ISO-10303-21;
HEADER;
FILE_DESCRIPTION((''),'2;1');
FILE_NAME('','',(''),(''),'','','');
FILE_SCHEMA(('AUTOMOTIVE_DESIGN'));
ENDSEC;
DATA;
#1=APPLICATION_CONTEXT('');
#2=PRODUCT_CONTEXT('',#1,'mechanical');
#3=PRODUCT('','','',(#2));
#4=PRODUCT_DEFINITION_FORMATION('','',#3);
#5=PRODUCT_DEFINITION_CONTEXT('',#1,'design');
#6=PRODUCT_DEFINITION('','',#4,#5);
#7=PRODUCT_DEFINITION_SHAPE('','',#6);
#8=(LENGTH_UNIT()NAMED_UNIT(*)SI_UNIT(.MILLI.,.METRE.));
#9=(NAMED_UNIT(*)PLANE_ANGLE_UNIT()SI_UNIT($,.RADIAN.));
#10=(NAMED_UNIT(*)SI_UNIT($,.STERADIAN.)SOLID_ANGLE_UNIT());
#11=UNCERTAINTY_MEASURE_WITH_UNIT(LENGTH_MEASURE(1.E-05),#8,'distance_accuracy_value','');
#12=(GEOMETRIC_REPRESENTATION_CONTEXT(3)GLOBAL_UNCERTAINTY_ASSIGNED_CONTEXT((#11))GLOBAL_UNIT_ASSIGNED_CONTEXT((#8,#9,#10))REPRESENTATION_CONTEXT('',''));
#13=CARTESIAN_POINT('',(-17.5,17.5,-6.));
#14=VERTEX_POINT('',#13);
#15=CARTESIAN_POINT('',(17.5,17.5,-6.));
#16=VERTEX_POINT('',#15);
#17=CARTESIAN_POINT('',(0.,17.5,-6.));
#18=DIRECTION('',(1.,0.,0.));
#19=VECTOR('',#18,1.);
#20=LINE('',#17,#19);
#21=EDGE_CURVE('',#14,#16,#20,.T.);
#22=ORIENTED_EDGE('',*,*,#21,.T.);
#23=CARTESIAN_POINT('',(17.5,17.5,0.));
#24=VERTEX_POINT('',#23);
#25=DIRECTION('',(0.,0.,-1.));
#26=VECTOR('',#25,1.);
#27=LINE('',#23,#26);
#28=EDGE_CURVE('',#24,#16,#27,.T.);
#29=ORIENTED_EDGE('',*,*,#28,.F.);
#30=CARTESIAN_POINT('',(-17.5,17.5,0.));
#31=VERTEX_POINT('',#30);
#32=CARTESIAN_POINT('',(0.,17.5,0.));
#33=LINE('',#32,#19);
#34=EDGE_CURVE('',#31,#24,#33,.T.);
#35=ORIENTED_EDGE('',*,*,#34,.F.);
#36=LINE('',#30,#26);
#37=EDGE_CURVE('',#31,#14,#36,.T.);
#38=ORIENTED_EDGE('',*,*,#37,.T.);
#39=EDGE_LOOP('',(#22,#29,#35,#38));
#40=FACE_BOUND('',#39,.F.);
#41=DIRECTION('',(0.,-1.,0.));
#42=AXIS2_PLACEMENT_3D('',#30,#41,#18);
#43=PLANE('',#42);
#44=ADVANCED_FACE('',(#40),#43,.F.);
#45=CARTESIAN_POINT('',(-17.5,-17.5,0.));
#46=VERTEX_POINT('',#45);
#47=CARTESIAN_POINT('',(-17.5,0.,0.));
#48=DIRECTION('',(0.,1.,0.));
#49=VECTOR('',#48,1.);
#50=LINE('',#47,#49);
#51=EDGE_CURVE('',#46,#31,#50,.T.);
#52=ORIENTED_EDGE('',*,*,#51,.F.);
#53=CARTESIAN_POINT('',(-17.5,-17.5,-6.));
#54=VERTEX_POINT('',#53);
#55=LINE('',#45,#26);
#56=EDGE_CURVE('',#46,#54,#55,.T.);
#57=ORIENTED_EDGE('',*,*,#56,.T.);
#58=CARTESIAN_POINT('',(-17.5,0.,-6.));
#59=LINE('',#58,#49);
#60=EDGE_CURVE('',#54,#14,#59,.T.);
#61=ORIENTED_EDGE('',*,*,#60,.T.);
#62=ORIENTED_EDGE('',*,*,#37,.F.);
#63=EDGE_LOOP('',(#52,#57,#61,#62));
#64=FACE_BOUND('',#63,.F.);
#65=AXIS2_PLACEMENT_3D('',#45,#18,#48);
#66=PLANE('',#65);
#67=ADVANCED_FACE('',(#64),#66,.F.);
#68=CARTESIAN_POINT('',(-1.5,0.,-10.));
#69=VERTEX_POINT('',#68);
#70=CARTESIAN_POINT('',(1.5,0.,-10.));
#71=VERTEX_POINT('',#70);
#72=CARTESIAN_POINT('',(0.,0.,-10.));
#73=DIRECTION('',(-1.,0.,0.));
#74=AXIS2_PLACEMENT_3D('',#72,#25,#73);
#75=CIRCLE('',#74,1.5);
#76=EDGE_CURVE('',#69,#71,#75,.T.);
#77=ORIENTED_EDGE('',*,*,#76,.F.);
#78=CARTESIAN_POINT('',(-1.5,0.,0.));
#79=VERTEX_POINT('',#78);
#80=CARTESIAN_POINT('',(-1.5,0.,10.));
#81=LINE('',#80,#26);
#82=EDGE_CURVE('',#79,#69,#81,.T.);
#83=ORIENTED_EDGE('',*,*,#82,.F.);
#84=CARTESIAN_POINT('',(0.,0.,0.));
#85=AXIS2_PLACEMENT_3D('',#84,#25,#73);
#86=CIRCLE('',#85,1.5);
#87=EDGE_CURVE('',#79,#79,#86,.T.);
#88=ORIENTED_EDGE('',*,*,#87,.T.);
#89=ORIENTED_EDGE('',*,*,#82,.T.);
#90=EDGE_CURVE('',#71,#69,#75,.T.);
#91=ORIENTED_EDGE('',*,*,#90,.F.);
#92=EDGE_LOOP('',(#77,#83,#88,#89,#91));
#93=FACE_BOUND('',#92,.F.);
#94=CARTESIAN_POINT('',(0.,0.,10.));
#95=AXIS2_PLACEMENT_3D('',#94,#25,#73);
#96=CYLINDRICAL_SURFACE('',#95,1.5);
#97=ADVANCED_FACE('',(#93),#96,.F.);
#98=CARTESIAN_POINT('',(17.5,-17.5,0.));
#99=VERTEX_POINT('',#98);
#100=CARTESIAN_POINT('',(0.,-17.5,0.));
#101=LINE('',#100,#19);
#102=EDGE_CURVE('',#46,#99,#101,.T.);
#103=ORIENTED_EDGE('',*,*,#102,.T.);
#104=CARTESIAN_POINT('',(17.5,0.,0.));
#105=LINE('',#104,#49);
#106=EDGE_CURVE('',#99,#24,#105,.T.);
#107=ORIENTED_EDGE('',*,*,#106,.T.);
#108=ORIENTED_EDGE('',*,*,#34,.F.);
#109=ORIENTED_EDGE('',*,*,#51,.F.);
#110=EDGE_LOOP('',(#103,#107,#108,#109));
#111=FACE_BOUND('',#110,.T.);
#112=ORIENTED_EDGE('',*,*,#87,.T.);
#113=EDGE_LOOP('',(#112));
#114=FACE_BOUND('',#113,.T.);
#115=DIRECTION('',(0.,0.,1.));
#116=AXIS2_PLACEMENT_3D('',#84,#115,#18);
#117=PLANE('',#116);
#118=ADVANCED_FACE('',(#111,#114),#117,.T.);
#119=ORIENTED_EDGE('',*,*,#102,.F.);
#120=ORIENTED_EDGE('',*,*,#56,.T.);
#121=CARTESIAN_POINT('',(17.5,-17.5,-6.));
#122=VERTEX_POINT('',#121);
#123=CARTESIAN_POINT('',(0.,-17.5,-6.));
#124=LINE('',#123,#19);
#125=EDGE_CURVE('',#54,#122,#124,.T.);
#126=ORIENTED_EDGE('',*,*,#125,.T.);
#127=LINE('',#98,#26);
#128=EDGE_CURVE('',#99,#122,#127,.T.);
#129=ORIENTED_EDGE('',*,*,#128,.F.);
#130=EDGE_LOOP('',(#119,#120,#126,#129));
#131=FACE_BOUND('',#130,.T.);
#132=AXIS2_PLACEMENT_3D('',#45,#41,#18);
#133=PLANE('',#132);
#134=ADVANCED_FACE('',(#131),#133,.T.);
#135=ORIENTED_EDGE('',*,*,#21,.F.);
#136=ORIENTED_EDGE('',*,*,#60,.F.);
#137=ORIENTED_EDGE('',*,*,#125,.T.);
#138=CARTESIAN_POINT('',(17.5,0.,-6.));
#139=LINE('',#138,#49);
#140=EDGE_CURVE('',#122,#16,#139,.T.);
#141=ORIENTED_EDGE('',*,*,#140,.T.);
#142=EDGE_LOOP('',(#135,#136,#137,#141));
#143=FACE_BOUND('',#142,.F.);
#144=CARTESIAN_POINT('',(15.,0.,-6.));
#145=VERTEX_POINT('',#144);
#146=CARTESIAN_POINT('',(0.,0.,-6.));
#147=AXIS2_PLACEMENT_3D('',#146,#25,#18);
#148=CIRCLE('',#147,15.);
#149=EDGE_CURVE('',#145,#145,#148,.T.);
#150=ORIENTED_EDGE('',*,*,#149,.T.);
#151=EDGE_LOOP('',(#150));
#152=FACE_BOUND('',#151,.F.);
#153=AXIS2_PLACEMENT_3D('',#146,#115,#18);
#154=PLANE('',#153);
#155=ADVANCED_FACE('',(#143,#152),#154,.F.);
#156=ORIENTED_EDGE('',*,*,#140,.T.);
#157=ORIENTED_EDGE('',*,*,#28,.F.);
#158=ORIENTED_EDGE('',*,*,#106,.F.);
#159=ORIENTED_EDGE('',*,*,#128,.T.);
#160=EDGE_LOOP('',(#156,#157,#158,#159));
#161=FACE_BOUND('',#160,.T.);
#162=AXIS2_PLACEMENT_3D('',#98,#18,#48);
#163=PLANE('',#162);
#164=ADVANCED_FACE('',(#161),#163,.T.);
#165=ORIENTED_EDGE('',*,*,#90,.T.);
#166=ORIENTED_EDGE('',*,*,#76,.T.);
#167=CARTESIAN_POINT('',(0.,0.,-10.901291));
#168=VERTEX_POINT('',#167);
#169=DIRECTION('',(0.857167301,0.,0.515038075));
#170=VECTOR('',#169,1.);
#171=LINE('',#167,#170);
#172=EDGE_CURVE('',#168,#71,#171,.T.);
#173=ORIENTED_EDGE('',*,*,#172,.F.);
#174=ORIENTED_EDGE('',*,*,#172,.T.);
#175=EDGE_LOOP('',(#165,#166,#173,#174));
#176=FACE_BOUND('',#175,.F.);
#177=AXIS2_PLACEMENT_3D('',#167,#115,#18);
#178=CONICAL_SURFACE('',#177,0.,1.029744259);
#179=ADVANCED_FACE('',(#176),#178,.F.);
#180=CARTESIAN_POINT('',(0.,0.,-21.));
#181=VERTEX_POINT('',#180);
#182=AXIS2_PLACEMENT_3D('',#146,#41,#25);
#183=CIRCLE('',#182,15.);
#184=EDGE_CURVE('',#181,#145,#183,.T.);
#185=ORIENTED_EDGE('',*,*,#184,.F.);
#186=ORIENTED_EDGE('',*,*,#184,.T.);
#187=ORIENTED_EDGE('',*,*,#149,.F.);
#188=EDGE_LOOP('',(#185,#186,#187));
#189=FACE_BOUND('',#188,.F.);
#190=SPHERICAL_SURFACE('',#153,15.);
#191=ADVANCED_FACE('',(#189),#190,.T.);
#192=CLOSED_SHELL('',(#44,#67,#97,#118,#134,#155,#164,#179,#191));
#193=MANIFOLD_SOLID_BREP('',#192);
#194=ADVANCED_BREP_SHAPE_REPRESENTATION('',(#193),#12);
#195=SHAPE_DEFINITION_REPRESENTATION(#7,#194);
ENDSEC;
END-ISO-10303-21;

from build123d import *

# Parameters (mm, degrees)
F0_W     = 35
F0_H     = 35
F1_DEPTH = 6
F4_D     = 3
F4_DEPTH = 10
F4_TIP   = 0.9012909285


with BuildPart() as f1:
    # F0 (on Top) → F1 (new body)
    with BuildSketch(Plane.XY):
        Rectangle(F0_W, F0_H)
    extrude(amount=-F1_DEPTH)

    # F2 (on Front) → F3 (revolve)
    with BuildSketch(Plane.XZ):
        with BuildLine():
            Line((0, -6), (0, -21))
            ThreePointArc((0, -21), (10.6066017178, -16.6066017178), (15, -6))
            Line((15, -6), (0, -6))
        make_face()
    revolve(axis=Axis((0, 0, -13.5), (0, 0, -1)))

    # F4
    with Locations(Plane.XY):
        with Locations((0, 0)):
            Hole(F4_D / 2, depth=F4_DEPTH)
            with Locations((0, 0, -(F4_DEPTH + F4_TIP / 2))):  # 118° drill point
                Cone(0, F4_D / 2, F4_TIP, mode=Mode.SUBTRACT)


solid = f1.part
